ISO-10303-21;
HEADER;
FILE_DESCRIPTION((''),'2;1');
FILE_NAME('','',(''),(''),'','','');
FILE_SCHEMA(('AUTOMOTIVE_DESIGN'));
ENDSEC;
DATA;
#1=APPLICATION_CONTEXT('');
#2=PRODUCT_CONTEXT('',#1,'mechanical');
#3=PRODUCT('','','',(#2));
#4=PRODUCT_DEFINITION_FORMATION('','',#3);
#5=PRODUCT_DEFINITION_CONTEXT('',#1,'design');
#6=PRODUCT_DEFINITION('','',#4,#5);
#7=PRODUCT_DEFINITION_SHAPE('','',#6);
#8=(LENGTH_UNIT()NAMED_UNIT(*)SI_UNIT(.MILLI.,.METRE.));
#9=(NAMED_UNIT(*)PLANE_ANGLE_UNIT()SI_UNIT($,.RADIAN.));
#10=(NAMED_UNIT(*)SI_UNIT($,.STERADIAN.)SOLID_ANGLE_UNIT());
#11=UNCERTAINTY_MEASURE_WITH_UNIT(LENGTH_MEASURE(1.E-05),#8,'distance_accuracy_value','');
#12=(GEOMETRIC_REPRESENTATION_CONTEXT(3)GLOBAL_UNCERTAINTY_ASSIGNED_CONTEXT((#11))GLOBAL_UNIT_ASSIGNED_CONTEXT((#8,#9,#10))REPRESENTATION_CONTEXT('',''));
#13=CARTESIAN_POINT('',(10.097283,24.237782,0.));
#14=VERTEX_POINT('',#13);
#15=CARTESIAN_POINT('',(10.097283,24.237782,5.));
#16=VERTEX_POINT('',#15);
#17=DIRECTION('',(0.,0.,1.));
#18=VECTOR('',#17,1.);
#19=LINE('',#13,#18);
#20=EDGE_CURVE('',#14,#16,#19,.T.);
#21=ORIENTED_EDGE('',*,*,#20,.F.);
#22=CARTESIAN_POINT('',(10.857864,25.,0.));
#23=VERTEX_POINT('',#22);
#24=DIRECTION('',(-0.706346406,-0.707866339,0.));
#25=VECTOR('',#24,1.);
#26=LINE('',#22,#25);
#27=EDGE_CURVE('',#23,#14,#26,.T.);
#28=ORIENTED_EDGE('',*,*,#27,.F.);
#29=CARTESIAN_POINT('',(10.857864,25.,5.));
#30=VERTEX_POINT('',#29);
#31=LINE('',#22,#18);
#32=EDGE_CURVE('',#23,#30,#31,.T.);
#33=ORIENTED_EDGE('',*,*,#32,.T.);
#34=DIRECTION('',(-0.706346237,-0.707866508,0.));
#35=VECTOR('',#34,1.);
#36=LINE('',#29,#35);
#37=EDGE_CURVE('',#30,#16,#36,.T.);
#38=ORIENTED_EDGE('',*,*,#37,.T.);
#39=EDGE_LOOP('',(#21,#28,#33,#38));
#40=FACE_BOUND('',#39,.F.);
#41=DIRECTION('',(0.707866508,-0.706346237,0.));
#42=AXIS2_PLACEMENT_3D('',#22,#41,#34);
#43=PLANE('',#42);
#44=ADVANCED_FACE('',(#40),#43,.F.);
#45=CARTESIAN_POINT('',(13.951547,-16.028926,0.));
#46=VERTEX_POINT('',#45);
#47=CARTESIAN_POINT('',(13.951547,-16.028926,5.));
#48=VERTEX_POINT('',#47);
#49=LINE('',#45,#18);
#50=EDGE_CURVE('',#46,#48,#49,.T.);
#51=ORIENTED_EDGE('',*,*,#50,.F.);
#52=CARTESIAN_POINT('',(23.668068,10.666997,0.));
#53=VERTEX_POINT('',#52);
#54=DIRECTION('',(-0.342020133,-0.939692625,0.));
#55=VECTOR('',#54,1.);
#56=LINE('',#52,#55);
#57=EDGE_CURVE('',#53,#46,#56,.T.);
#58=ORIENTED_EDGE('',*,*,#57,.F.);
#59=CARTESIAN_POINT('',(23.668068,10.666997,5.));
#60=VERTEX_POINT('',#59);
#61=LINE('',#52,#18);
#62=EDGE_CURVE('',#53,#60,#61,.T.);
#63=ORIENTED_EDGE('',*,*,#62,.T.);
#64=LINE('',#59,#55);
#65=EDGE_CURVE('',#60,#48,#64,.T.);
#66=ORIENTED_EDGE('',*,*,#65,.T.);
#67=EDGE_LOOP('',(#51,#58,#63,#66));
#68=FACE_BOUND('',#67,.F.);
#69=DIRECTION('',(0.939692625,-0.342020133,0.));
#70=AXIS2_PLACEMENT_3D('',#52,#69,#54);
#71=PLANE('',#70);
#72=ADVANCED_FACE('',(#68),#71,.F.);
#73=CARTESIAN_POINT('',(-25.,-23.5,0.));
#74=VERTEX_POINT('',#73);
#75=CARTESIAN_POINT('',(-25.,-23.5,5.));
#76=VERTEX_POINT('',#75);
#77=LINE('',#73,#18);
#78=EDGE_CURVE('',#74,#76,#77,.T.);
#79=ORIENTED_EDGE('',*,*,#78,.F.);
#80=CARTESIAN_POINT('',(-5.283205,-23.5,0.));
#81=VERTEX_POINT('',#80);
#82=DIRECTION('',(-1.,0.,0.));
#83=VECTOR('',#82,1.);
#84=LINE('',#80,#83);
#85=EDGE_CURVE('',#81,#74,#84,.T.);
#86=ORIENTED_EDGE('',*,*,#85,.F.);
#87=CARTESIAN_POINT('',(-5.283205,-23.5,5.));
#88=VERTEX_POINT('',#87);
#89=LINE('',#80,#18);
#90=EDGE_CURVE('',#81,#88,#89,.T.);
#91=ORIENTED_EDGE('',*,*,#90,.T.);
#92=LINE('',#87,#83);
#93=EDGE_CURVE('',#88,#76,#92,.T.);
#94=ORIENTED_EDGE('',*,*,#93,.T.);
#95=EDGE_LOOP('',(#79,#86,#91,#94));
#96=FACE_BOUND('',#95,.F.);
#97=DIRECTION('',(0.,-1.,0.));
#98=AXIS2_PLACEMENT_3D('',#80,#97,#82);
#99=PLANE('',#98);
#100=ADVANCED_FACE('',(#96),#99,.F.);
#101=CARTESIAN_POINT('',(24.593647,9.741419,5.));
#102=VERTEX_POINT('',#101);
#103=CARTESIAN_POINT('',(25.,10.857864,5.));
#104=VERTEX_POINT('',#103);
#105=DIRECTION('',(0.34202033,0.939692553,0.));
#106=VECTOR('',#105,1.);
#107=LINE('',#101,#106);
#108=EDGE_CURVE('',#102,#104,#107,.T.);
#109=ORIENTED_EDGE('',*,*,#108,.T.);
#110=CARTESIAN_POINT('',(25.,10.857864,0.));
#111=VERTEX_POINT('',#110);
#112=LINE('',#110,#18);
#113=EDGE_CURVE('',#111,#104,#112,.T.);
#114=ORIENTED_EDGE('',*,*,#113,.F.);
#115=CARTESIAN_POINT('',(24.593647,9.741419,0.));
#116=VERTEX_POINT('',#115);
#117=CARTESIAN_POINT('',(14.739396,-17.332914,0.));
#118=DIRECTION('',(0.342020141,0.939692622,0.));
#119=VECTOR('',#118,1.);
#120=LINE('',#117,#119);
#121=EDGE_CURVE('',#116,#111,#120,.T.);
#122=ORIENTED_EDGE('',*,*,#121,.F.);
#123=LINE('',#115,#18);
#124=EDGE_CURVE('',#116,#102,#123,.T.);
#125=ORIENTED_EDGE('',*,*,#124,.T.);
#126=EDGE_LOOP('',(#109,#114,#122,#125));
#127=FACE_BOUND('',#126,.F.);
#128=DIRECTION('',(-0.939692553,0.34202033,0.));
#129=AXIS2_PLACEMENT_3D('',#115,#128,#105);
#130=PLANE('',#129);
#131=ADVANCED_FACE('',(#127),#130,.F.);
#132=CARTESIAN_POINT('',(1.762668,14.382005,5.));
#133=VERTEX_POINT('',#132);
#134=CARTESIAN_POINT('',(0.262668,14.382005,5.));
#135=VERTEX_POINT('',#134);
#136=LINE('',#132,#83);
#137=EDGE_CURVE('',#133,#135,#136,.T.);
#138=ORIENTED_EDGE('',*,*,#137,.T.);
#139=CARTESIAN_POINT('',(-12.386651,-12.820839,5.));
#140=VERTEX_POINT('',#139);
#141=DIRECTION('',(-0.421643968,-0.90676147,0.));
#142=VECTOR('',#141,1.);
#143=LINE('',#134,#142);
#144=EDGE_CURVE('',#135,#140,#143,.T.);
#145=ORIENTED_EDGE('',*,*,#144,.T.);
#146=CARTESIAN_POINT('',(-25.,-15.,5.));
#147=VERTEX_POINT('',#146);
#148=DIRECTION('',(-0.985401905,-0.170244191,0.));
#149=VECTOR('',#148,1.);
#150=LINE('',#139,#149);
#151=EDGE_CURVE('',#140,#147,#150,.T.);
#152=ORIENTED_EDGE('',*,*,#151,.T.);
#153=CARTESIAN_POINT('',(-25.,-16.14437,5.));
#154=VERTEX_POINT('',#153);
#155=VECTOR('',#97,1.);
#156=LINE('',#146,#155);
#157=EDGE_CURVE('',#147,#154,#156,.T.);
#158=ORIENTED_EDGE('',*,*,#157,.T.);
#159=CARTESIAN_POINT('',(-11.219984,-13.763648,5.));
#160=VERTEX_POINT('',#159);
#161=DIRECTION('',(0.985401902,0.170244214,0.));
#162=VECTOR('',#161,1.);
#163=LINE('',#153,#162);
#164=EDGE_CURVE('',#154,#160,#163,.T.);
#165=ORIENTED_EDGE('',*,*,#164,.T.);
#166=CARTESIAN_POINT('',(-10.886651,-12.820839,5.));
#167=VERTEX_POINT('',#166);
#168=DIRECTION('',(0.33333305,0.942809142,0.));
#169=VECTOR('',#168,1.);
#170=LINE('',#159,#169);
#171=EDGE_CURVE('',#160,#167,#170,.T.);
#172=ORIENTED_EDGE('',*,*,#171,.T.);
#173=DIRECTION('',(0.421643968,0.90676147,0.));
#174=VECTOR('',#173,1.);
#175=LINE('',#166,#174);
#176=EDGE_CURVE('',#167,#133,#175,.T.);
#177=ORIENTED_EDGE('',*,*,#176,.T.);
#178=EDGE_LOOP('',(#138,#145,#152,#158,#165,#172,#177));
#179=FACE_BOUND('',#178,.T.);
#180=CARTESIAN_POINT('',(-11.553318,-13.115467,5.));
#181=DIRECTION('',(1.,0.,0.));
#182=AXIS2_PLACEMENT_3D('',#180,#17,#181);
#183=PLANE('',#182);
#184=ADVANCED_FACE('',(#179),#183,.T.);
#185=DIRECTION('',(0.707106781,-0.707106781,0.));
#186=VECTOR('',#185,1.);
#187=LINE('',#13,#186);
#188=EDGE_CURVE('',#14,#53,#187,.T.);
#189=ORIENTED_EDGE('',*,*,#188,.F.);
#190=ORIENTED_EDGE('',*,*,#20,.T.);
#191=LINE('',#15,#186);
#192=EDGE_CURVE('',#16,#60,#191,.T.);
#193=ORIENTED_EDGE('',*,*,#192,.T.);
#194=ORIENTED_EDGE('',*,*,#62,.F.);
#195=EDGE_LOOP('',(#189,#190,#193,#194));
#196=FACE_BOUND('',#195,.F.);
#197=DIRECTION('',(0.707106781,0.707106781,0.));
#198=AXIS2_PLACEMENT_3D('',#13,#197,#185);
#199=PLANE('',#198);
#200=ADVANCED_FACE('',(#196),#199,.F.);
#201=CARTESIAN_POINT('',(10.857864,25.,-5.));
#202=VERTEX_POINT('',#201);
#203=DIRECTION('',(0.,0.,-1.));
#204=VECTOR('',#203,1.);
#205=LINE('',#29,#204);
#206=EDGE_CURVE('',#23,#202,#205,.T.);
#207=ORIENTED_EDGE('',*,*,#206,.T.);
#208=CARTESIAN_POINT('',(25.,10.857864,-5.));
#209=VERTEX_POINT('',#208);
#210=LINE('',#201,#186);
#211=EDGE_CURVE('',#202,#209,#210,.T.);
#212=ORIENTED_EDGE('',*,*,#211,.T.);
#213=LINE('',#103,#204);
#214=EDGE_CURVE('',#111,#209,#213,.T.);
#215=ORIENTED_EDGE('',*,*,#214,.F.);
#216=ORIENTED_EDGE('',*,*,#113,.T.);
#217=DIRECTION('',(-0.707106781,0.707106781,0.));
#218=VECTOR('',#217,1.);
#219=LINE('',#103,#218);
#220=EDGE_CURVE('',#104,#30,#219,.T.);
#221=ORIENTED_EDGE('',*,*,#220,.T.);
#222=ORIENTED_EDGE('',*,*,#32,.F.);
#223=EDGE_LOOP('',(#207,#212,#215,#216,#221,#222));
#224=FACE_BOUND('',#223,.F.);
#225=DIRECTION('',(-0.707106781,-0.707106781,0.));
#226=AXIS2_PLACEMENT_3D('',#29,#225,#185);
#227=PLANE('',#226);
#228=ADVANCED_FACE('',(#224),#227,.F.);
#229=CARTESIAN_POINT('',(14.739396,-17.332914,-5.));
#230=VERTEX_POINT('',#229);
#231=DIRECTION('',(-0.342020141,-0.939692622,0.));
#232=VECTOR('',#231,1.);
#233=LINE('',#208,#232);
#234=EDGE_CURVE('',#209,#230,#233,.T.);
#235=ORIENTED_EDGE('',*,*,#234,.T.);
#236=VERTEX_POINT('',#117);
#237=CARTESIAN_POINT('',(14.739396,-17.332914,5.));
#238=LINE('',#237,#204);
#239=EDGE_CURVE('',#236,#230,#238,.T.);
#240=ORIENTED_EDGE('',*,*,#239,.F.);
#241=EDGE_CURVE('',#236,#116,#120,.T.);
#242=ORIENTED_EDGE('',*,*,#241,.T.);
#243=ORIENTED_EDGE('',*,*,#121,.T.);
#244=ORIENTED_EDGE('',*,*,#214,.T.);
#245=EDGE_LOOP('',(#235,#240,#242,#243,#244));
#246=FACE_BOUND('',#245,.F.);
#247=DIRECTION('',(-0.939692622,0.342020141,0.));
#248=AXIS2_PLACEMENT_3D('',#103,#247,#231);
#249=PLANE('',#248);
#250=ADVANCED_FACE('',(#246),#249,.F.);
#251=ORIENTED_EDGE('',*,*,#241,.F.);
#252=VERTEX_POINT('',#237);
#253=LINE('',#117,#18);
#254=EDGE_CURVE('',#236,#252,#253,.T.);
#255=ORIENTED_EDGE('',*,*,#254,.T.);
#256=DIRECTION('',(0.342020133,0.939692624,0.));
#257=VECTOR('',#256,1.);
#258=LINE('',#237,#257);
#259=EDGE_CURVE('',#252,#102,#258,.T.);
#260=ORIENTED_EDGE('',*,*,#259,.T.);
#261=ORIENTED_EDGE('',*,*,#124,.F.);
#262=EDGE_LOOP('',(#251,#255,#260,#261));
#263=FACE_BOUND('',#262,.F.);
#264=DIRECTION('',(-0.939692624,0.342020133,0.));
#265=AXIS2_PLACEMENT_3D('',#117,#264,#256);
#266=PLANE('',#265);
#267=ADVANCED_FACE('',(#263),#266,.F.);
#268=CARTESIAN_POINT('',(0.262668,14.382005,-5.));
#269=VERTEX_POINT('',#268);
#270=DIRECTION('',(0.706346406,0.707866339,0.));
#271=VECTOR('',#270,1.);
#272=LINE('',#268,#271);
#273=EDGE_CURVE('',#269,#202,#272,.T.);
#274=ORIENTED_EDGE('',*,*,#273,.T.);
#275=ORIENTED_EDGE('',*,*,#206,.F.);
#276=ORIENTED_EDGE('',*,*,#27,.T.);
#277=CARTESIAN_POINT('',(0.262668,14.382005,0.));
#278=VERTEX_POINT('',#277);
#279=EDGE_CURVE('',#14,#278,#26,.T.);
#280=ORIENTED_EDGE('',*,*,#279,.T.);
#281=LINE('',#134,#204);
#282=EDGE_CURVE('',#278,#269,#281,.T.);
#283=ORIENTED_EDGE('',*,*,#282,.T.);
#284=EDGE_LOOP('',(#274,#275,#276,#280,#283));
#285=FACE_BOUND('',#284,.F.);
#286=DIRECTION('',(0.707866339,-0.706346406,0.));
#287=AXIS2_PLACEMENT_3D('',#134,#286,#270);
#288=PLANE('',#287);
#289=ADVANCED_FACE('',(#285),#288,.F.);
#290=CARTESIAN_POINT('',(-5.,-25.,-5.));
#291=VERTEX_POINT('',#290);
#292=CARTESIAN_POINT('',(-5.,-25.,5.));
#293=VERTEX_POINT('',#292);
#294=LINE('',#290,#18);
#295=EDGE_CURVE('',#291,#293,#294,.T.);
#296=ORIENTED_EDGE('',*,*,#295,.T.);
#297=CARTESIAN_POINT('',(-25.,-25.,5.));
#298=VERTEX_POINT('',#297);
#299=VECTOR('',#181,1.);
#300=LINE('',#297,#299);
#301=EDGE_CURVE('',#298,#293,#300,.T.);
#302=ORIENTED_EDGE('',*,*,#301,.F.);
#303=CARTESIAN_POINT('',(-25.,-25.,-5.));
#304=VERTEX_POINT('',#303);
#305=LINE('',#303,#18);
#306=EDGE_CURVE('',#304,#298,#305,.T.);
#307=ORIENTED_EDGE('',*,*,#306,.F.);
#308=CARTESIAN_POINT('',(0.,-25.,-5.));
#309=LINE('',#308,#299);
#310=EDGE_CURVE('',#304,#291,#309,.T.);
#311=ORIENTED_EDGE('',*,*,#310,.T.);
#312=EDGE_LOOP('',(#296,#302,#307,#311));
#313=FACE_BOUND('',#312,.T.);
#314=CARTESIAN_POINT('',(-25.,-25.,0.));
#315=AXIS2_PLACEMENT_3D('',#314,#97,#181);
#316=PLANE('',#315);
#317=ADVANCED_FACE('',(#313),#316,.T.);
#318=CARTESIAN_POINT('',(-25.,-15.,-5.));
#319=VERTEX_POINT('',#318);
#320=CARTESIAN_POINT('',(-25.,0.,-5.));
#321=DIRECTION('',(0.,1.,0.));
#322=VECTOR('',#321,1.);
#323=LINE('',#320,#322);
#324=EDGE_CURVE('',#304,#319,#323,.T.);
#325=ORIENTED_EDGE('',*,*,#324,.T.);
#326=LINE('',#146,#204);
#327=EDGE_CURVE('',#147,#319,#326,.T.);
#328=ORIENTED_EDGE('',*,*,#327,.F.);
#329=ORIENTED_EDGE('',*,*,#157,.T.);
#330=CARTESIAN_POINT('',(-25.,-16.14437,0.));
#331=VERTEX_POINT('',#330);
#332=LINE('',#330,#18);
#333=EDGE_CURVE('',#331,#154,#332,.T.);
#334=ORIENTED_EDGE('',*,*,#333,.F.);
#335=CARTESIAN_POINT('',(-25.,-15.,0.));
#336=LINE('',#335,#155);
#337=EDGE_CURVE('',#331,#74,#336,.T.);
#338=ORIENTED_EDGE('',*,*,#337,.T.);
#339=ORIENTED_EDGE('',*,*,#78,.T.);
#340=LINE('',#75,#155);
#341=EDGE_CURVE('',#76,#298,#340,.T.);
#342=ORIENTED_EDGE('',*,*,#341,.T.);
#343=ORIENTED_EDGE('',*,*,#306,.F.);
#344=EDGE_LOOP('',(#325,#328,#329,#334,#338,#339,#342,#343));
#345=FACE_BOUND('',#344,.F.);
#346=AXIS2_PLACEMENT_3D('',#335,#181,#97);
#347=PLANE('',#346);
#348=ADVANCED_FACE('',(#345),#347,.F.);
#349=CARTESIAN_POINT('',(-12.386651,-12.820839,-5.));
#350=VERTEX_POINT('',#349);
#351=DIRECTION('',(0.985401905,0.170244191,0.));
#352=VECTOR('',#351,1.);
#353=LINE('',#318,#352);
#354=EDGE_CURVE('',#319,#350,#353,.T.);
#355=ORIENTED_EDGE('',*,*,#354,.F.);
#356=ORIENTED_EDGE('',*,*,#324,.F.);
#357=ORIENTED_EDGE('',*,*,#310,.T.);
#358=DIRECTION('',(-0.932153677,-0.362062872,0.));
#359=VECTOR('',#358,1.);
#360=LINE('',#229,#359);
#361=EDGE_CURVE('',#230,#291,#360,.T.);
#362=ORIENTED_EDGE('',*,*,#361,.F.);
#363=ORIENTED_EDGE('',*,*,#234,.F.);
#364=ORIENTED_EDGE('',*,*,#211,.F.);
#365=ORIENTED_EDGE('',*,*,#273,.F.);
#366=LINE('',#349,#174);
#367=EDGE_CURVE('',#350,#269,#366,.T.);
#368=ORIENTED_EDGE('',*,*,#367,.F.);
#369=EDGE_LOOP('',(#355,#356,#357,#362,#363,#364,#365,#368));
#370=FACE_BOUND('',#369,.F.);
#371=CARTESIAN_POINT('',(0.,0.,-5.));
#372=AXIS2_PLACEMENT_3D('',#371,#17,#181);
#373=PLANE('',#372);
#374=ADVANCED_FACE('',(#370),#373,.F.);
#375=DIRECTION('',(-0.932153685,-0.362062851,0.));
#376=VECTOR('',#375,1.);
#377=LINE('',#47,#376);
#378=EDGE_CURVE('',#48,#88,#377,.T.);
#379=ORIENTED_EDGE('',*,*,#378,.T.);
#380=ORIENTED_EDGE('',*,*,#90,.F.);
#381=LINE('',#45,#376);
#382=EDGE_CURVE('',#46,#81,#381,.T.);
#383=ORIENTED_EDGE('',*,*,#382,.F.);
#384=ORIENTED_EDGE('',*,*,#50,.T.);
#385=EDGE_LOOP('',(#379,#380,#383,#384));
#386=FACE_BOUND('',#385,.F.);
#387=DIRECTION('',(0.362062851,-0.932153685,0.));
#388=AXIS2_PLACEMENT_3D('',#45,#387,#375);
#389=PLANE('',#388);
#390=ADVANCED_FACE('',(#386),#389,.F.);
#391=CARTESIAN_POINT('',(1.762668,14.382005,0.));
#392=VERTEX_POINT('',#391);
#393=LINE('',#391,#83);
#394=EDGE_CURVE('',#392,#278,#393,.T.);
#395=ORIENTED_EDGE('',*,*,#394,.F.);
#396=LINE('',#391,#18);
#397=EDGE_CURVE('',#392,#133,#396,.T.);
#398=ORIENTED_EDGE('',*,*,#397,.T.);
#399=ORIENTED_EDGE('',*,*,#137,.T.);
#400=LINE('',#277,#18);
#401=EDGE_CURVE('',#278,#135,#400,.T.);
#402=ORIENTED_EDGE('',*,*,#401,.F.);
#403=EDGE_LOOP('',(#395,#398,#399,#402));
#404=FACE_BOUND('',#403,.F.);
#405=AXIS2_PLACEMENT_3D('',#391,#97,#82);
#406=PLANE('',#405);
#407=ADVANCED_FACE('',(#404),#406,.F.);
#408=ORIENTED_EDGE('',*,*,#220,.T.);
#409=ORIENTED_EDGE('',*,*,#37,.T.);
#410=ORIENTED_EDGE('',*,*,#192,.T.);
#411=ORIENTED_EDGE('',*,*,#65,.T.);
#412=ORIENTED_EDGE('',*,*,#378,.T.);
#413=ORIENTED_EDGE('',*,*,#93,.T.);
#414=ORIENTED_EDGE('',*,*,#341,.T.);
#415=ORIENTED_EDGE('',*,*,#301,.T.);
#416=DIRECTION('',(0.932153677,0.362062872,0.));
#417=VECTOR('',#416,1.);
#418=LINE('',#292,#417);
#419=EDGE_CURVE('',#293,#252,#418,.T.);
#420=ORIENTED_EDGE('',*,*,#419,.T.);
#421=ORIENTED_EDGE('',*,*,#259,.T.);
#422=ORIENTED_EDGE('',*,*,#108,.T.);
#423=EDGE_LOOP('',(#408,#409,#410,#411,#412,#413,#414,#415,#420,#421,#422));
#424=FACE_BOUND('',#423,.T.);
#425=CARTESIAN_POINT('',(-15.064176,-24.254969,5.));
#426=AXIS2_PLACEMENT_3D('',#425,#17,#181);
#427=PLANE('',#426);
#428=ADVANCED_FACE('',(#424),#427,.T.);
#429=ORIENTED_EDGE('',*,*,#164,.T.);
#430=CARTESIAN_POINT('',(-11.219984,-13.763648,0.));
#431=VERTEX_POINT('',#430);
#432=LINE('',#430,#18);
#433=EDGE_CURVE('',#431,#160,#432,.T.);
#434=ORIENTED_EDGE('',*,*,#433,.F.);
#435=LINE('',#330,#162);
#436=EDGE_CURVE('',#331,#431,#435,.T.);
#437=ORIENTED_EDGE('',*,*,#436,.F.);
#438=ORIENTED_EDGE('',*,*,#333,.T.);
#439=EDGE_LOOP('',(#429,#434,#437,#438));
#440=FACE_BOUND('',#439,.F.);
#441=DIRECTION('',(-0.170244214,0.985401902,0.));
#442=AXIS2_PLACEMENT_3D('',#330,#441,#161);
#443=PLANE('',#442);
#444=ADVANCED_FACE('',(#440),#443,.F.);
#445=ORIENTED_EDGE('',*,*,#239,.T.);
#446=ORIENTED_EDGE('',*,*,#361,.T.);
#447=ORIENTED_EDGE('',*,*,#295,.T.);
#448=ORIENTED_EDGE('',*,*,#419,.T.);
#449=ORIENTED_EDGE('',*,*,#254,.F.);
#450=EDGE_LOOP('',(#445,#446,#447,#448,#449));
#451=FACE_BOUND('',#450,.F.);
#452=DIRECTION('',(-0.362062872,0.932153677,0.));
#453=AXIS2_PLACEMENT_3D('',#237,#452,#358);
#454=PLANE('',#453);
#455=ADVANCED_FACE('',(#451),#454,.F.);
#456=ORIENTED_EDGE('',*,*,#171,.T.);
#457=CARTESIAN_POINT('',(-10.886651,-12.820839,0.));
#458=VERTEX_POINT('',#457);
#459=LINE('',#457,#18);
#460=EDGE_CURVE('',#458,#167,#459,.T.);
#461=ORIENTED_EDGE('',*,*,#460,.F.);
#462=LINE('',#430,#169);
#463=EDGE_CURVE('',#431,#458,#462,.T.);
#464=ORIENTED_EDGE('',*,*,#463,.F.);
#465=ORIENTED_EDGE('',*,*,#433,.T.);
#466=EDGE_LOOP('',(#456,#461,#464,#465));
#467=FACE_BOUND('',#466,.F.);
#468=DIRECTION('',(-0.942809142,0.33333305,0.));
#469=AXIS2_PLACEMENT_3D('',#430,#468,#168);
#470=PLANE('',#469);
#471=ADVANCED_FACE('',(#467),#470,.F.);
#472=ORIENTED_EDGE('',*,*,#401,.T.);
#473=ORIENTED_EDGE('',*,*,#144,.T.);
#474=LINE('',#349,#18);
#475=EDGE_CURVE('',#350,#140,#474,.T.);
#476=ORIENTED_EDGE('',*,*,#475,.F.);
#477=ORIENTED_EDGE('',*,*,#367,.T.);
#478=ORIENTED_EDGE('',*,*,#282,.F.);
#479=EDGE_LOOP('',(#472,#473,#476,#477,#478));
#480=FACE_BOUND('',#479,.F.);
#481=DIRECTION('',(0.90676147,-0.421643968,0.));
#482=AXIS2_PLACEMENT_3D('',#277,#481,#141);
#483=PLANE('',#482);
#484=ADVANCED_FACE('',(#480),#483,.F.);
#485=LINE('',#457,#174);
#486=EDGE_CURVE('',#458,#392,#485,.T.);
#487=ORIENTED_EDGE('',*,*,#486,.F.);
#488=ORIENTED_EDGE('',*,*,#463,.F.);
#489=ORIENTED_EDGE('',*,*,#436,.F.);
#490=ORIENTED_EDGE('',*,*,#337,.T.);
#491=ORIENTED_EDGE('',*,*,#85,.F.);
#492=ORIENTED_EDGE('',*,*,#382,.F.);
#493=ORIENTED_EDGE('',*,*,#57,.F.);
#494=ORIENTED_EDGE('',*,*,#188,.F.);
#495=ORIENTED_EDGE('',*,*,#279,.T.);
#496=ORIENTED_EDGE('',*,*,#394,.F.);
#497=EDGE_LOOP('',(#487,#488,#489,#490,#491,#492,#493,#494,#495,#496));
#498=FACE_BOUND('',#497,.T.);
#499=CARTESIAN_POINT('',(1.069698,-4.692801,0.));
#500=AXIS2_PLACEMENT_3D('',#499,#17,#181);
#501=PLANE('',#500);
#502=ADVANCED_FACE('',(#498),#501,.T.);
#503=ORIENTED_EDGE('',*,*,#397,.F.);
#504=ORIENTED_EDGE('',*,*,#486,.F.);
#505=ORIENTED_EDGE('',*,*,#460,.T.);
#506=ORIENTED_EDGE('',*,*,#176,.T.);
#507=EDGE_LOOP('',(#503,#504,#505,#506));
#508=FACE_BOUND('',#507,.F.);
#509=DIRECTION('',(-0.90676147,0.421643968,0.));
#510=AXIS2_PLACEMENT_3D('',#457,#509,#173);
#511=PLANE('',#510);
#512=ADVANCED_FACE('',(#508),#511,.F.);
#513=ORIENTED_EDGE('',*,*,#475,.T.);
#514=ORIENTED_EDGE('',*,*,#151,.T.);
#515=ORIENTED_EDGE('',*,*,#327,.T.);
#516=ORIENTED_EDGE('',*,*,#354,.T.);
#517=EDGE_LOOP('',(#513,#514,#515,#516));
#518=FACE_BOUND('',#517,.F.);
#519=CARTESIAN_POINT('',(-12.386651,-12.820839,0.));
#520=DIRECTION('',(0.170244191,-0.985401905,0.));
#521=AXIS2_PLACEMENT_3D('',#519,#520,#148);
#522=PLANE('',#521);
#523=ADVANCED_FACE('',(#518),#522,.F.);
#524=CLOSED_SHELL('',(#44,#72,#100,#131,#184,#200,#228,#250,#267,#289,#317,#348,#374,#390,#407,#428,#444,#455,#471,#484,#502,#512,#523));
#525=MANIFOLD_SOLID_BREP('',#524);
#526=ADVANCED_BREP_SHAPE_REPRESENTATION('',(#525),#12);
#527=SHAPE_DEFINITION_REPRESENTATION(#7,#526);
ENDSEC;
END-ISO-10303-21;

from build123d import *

# Parameters (mm, degrees)
F0_W     = 50
F0_H     = 50
F1_DEPTH = 5
F3_DEPTH = 10
F4_DEPTH = 5
F6_DEPTH = 5


with BuildPart() as f1:
    # F0 (on Top) → F1 (new body, symmetric)
    with BuildSketch(Plane.XY):
        Rectangle(F0_W, F0_H)
    extrude(amount=F1_DEPTH, both=True)

    # F2 (on face) → F3 (cut)
    with BuildSketch(Plane.XY.offset(5)):
        Polygon((0.262668, 14.382005), (10.857864, 25), (-25, 25), (-25, -15), (-12.386651, -12.820839), align=None)
        Polygon((25, -25), (25, 10.857864), (14.739396, -17.332914), (-5, -25), align=None)
        Polygon((25, 25), (10.857864, 25), (25, 10.857864), align=None)
    extrude(amount=-F3_DEPTH, mode=Mode.SUBTRACT)

    # F1_face (on face) → F4 (cut)
    with BuildSketch(Plane.XY.offset(5)):
        Polygon((-25, -15), (-25, -25), (-5, -25), (14.739396, -17.332914), (25, 10.857864), (10.857864, 25), (0.262668, 14.382005), (-12.386651, -12.820839), align=None)
    extrude(amount=-F4_DEPTH, mode=Mode.SUBTRACT)

    # F5 (on face) → F6 (join)
    with BuildSketch(Plane.XY):
        Polygon((-11.219984, -13.763648), (-10.886651, -12.820839), (-12.386651, -12.820839), align=None)
        Polygon((1.762668, 14.382005), (0.262668, 14.382005), (-12.386651, -12.820839), (-10.886651, -12.820839), align=None)
        Polygon((-11.219984, -13.763648), (-12.386651, -12.820839), (-25, -15), (-25, -16.14437), align=None)
        Polygon((-5, -25), (-5.283205, -23.5), (-25, -23.5), (-25, -25), align=None)
        Polygon((14.739396, -17.332914), (13.951547, -16.028926), (-5.283205, -23.5), (-5, -25), align=None)
        Polygon((24.593647, 9.741419), (23.668068, 10.666997), (13.951547, -16.028926), (14.739396, -17.332914), align=None)
        Polygon((10.857864, 25), (10.097283, 24.237782), (10.857864, 23.477201), (23.668068, 10.666997), (24.593647, 9.741419), (25, 10.857864), align=None)
    extrude(amount=F6_DEPTH)


solid = f1.part
